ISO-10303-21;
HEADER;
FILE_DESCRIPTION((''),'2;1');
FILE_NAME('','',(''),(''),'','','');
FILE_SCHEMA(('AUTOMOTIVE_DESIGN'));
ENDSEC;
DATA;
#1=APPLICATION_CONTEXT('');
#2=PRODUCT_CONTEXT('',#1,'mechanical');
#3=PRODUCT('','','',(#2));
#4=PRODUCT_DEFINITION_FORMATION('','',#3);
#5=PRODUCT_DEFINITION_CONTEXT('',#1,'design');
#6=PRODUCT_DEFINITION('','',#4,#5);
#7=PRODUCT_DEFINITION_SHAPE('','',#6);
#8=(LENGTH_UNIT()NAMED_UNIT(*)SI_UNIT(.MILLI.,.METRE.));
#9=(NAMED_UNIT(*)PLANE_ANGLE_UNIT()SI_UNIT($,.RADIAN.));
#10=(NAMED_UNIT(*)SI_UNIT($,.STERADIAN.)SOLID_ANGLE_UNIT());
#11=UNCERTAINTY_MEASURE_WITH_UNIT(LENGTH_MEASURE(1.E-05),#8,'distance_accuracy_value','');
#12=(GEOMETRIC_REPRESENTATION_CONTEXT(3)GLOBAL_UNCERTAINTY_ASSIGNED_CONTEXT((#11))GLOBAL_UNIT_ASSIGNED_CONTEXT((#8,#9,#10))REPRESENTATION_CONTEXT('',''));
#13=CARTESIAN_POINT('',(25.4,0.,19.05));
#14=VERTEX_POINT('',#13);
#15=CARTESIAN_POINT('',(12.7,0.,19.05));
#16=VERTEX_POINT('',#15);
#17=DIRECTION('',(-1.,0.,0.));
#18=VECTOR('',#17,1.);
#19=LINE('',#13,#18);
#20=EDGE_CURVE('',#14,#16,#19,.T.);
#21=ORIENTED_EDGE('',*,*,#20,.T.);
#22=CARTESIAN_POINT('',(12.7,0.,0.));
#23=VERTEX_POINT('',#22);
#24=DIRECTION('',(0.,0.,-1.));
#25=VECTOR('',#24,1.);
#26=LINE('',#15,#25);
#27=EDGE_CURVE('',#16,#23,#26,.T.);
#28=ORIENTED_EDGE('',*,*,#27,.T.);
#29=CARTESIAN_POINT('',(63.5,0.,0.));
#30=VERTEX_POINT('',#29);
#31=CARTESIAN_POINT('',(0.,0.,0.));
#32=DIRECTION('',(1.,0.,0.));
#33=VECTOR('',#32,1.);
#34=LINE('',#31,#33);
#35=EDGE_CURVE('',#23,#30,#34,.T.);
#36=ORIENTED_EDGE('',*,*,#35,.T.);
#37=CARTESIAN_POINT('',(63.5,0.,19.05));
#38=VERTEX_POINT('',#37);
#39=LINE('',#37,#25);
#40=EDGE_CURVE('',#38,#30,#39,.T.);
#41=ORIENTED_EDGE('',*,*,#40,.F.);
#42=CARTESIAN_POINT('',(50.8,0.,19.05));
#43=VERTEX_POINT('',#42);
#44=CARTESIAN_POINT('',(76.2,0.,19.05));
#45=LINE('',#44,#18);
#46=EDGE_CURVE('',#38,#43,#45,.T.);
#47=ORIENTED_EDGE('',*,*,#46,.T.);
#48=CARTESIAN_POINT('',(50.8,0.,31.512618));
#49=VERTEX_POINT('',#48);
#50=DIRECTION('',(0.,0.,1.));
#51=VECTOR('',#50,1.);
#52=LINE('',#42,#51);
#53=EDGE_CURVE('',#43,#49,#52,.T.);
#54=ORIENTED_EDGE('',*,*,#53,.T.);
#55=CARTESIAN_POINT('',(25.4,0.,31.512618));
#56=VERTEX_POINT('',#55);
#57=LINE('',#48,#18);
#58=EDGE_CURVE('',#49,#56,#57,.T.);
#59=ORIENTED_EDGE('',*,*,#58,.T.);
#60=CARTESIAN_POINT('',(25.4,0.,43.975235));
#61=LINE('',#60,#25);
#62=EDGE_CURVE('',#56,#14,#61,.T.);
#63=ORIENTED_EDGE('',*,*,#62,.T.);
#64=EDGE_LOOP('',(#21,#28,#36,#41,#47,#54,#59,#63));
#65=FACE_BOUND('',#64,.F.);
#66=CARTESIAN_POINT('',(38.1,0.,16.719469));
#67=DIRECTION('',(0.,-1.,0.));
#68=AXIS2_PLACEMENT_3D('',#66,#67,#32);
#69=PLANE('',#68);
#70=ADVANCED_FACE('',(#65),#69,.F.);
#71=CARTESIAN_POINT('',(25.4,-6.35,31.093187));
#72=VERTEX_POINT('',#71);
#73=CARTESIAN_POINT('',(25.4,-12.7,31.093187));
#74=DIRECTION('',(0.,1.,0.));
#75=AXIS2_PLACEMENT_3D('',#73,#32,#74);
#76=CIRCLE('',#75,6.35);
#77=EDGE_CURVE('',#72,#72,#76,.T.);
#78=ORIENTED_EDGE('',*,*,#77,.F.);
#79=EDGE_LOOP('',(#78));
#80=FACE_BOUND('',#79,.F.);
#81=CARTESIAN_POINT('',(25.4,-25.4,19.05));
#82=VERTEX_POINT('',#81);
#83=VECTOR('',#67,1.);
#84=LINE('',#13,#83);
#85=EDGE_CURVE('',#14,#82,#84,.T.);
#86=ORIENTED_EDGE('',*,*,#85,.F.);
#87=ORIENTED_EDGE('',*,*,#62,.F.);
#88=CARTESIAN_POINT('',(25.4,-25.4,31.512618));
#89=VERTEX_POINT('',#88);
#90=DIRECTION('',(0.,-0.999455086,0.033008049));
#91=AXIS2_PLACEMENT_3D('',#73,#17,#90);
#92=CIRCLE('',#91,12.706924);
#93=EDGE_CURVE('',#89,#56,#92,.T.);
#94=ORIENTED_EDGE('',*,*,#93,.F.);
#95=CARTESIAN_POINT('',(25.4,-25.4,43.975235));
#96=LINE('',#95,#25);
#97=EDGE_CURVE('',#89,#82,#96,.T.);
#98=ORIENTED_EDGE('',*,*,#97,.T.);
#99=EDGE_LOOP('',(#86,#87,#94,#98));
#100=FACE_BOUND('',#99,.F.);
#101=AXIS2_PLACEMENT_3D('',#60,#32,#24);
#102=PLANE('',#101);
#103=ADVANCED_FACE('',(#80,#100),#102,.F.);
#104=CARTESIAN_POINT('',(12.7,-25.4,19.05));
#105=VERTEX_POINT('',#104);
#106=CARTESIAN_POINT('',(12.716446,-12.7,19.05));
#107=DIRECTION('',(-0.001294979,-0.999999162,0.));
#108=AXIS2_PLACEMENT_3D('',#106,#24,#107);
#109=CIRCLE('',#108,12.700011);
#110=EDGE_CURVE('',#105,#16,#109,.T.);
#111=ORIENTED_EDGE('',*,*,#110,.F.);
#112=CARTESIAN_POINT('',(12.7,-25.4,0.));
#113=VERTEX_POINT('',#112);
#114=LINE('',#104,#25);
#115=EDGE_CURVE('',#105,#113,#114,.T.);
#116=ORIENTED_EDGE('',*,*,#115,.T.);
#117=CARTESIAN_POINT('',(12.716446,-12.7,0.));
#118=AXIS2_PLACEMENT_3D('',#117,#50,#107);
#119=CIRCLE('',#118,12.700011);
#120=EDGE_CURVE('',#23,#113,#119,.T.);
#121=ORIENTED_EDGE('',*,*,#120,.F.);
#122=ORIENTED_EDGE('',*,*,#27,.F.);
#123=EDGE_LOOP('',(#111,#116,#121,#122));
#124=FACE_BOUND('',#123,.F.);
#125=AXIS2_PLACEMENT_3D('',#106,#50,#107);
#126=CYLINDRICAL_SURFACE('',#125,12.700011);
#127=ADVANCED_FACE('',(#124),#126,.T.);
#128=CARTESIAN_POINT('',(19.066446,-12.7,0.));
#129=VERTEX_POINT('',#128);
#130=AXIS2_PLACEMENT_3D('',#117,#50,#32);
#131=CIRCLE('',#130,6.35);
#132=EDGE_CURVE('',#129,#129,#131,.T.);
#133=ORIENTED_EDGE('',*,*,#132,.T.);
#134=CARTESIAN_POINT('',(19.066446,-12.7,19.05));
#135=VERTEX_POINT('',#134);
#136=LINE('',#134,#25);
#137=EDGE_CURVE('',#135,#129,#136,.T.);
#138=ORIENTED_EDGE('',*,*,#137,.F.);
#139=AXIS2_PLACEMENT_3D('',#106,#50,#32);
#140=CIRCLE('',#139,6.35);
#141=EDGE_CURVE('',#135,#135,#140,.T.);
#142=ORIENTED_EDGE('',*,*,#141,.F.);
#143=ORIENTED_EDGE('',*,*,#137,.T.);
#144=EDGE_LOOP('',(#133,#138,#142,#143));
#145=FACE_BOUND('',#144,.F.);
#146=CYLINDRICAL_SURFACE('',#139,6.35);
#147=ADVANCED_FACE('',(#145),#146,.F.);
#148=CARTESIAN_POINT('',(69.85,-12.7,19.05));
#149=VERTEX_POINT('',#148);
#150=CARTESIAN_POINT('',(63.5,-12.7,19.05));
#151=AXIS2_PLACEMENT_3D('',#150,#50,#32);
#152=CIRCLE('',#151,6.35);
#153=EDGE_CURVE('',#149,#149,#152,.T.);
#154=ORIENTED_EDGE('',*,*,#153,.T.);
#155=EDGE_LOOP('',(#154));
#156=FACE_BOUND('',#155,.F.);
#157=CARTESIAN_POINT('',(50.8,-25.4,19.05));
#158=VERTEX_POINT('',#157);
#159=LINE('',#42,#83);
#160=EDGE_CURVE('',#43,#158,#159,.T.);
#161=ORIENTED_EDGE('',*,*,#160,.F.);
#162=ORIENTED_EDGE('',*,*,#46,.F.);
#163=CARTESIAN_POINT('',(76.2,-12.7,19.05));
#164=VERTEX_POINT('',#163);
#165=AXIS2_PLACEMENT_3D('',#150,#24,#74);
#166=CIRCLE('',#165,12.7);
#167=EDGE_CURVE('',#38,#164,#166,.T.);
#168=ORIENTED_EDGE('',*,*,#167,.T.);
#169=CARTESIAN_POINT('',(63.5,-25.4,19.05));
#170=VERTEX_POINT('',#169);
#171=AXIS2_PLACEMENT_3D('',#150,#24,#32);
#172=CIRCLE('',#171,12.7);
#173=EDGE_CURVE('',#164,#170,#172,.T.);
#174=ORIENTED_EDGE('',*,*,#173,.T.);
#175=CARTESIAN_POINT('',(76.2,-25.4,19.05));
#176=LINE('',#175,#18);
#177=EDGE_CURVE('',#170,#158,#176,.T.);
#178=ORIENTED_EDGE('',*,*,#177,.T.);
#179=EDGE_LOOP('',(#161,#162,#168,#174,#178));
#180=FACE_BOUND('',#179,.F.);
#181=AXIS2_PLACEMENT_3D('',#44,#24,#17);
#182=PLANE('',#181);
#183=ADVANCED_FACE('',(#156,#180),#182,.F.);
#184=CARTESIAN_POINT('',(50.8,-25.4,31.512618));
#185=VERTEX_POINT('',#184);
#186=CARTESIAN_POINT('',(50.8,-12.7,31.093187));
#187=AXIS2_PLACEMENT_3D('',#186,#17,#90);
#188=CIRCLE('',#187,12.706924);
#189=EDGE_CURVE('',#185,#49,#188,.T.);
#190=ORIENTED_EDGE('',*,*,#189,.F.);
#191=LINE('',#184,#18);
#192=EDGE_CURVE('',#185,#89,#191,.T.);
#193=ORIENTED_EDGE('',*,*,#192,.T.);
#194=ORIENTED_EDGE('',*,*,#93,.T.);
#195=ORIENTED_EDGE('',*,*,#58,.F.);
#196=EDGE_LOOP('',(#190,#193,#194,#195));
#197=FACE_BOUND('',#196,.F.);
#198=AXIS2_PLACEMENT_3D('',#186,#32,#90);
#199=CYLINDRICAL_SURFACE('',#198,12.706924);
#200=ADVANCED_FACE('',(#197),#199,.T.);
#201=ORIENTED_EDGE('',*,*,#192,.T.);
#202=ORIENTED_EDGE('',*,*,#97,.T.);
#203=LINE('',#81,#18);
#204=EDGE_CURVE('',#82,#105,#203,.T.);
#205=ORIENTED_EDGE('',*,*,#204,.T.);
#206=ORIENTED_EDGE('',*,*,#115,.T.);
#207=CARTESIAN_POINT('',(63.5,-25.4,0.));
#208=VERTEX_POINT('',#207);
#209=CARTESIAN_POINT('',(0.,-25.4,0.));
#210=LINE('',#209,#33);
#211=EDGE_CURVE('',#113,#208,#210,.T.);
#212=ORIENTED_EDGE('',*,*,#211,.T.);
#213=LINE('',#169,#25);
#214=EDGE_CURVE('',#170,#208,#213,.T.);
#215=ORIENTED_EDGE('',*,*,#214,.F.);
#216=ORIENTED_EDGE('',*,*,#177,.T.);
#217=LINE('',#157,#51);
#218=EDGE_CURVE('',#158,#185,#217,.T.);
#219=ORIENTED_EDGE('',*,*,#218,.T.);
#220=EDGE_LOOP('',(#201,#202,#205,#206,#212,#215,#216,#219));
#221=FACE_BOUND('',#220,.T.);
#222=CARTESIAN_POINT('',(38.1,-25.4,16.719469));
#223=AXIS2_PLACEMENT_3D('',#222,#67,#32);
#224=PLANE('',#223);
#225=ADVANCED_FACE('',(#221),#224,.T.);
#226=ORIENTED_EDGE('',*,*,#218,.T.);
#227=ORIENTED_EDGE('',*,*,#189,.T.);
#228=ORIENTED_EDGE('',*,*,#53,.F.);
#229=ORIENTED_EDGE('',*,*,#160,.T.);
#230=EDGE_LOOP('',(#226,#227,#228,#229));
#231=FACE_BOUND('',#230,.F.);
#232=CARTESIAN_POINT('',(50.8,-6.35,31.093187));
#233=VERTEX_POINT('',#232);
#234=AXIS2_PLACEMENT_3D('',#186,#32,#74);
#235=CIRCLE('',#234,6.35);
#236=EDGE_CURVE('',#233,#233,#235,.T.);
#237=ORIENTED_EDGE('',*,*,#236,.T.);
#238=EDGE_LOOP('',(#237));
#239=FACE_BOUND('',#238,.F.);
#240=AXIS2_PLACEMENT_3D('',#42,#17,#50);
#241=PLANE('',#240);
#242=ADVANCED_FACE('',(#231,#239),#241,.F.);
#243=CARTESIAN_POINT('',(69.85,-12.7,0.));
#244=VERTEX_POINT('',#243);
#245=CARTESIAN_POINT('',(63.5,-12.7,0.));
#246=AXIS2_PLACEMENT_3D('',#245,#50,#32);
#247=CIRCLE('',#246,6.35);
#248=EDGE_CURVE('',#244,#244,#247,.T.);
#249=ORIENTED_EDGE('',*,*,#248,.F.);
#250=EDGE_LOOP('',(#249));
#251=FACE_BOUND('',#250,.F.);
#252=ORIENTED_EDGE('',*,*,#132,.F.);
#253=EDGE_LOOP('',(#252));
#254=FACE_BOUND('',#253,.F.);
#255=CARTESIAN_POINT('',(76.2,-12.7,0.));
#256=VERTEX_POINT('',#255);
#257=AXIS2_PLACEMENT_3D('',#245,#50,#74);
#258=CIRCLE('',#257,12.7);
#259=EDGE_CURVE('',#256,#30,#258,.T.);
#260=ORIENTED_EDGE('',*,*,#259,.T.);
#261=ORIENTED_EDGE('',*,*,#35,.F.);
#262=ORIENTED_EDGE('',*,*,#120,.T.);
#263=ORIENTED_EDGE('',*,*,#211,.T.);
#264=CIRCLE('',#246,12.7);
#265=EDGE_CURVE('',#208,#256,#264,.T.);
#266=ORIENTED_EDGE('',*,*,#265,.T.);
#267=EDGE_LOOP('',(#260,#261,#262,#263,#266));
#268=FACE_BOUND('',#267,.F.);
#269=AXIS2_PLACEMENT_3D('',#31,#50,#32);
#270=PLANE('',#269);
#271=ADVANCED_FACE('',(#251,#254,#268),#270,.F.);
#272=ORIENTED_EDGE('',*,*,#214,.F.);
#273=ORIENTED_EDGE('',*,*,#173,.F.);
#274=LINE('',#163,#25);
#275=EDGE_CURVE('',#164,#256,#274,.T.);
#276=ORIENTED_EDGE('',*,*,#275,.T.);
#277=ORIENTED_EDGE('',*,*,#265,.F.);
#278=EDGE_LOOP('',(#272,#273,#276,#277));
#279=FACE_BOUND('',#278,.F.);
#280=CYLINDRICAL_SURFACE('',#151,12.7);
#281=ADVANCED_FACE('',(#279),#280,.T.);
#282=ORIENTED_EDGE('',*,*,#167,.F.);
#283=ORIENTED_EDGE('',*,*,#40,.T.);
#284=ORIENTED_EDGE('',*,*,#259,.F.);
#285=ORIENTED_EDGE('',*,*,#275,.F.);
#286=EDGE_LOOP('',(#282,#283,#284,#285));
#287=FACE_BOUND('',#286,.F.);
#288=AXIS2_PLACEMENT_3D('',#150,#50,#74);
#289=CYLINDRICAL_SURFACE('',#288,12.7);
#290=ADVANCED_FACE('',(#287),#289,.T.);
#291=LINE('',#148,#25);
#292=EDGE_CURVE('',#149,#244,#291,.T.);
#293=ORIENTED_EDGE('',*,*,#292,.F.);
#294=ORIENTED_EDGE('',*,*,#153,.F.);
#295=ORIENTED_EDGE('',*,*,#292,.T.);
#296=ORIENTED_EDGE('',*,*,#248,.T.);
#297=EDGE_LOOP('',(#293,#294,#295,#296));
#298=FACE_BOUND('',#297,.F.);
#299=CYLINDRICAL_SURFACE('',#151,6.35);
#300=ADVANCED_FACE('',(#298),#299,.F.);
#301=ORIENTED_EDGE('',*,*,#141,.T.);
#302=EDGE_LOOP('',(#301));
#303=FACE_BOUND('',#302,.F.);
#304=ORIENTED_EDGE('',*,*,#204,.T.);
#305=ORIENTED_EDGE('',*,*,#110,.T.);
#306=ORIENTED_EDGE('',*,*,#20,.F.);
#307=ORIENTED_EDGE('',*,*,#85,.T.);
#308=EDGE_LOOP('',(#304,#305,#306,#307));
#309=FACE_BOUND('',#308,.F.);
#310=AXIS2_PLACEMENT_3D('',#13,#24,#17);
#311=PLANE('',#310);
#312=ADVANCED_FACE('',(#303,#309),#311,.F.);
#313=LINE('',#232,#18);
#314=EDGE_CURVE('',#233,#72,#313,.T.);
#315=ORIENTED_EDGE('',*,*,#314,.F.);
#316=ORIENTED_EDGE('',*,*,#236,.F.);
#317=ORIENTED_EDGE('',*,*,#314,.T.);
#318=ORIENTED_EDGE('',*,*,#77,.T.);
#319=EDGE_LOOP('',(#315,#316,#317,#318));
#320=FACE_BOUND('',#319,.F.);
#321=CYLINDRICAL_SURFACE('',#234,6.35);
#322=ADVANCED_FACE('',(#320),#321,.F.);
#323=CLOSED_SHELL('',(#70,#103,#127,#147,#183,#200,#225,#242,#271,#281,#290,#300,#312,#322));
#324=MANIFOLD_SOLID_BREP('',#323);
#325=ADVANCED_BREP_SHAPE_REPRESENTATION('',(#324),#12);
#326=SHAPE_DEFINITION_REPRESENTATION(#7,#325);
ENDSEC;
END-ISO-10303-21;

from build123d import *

# Parameters (mm, degrees)
F1_DEPTH = 25.4
F2_R     = 6.35
F3_DEPTH = 25.4
F4_R     = 6.35
F5_DEPTH = 25.4
F7_DEPTH = 25.4


with BuildPart() as f1:
    # F0 (on Front) → F1 (new body)
    with BuildSketch(Plane.XZ):
        Polygon((0, 19.05), (0, 0), (76.2, 0), (76.2, 19.05), (50.8, 19.05), (50.8, 43.9752354272), (25.4, 43.9752354272), (25.4, 19.05), align=None)
    extrude(amount=F1_DEPTH)

    # F2 (on face) → F3 (cut)
    with BuildSketch(Plane.YZ.offset(50.8)):
        with Locations((-12.7, 31.0931869331)):
            Circle(F2_R)
        with BuildLine():
            ThreePointArc((-25.4, 31.5126177136), (-12.7, 43.8001111156), (0, 31.5126177136))
            Line((0, 31.5126177136), (0, 43.9752354272))
            Line((0, 43.9752354272), (-25.4, 43.9752354272))
            Line((-25.4, 43.9752354272), (-25.4, 31.5126177136))
        make_face()
    extrude(amount=-F3_DEPTH, mode=Mode.SUBTRACT)

    # F4 (on face) → F5 (cut)
    with BuildSketch(Plane.XY.offset(19.05)):
        with Locations((12.7164462461, -12.7)):
            Circle(F4_R)
        with BuildLine():
            ThreePointArc((12.7, -25.4), (0.0164355973, -12.7), (12.7, 0))
            Line((12.7, 0), (0, 0))
            Line((0, 0), (0, -25.4))
            Line((0, -25.4), (12.7, -25.4))
        make_face()
        with Locations((63.5, -12.7)):
            Circle(F4_R)
    extrude(amount=-F5_DEPTH, mode=Mode.SUBTRACT)

    # F6 (on face) → F7 (cut)
    with BuildSketch(Plane.XY.offset(19.05)):
        with BuildLine():
            ThreePointArc((63.5, 0), (72.4802561211, -3.7197438789), (76.2, -12.7))
            Line((76.2, -12.7), (76.2, 0))
            Line((76.2, 0), (63.5, 0))
        make_face()
        with BuildLine():
            ThreePointArc((76.2, -12.7), (72.4802561211, -21.6802561211), (63.5, -25.4))
            Line((63.5, -25.4), (76.2, -25.4))
            Line((76.2, -25.4), (76.2, -12.7))
        make_face()
    extrude(amount=-F7_DEPTH, mode=Mode.SUBTRACT)


solid = f1.part
